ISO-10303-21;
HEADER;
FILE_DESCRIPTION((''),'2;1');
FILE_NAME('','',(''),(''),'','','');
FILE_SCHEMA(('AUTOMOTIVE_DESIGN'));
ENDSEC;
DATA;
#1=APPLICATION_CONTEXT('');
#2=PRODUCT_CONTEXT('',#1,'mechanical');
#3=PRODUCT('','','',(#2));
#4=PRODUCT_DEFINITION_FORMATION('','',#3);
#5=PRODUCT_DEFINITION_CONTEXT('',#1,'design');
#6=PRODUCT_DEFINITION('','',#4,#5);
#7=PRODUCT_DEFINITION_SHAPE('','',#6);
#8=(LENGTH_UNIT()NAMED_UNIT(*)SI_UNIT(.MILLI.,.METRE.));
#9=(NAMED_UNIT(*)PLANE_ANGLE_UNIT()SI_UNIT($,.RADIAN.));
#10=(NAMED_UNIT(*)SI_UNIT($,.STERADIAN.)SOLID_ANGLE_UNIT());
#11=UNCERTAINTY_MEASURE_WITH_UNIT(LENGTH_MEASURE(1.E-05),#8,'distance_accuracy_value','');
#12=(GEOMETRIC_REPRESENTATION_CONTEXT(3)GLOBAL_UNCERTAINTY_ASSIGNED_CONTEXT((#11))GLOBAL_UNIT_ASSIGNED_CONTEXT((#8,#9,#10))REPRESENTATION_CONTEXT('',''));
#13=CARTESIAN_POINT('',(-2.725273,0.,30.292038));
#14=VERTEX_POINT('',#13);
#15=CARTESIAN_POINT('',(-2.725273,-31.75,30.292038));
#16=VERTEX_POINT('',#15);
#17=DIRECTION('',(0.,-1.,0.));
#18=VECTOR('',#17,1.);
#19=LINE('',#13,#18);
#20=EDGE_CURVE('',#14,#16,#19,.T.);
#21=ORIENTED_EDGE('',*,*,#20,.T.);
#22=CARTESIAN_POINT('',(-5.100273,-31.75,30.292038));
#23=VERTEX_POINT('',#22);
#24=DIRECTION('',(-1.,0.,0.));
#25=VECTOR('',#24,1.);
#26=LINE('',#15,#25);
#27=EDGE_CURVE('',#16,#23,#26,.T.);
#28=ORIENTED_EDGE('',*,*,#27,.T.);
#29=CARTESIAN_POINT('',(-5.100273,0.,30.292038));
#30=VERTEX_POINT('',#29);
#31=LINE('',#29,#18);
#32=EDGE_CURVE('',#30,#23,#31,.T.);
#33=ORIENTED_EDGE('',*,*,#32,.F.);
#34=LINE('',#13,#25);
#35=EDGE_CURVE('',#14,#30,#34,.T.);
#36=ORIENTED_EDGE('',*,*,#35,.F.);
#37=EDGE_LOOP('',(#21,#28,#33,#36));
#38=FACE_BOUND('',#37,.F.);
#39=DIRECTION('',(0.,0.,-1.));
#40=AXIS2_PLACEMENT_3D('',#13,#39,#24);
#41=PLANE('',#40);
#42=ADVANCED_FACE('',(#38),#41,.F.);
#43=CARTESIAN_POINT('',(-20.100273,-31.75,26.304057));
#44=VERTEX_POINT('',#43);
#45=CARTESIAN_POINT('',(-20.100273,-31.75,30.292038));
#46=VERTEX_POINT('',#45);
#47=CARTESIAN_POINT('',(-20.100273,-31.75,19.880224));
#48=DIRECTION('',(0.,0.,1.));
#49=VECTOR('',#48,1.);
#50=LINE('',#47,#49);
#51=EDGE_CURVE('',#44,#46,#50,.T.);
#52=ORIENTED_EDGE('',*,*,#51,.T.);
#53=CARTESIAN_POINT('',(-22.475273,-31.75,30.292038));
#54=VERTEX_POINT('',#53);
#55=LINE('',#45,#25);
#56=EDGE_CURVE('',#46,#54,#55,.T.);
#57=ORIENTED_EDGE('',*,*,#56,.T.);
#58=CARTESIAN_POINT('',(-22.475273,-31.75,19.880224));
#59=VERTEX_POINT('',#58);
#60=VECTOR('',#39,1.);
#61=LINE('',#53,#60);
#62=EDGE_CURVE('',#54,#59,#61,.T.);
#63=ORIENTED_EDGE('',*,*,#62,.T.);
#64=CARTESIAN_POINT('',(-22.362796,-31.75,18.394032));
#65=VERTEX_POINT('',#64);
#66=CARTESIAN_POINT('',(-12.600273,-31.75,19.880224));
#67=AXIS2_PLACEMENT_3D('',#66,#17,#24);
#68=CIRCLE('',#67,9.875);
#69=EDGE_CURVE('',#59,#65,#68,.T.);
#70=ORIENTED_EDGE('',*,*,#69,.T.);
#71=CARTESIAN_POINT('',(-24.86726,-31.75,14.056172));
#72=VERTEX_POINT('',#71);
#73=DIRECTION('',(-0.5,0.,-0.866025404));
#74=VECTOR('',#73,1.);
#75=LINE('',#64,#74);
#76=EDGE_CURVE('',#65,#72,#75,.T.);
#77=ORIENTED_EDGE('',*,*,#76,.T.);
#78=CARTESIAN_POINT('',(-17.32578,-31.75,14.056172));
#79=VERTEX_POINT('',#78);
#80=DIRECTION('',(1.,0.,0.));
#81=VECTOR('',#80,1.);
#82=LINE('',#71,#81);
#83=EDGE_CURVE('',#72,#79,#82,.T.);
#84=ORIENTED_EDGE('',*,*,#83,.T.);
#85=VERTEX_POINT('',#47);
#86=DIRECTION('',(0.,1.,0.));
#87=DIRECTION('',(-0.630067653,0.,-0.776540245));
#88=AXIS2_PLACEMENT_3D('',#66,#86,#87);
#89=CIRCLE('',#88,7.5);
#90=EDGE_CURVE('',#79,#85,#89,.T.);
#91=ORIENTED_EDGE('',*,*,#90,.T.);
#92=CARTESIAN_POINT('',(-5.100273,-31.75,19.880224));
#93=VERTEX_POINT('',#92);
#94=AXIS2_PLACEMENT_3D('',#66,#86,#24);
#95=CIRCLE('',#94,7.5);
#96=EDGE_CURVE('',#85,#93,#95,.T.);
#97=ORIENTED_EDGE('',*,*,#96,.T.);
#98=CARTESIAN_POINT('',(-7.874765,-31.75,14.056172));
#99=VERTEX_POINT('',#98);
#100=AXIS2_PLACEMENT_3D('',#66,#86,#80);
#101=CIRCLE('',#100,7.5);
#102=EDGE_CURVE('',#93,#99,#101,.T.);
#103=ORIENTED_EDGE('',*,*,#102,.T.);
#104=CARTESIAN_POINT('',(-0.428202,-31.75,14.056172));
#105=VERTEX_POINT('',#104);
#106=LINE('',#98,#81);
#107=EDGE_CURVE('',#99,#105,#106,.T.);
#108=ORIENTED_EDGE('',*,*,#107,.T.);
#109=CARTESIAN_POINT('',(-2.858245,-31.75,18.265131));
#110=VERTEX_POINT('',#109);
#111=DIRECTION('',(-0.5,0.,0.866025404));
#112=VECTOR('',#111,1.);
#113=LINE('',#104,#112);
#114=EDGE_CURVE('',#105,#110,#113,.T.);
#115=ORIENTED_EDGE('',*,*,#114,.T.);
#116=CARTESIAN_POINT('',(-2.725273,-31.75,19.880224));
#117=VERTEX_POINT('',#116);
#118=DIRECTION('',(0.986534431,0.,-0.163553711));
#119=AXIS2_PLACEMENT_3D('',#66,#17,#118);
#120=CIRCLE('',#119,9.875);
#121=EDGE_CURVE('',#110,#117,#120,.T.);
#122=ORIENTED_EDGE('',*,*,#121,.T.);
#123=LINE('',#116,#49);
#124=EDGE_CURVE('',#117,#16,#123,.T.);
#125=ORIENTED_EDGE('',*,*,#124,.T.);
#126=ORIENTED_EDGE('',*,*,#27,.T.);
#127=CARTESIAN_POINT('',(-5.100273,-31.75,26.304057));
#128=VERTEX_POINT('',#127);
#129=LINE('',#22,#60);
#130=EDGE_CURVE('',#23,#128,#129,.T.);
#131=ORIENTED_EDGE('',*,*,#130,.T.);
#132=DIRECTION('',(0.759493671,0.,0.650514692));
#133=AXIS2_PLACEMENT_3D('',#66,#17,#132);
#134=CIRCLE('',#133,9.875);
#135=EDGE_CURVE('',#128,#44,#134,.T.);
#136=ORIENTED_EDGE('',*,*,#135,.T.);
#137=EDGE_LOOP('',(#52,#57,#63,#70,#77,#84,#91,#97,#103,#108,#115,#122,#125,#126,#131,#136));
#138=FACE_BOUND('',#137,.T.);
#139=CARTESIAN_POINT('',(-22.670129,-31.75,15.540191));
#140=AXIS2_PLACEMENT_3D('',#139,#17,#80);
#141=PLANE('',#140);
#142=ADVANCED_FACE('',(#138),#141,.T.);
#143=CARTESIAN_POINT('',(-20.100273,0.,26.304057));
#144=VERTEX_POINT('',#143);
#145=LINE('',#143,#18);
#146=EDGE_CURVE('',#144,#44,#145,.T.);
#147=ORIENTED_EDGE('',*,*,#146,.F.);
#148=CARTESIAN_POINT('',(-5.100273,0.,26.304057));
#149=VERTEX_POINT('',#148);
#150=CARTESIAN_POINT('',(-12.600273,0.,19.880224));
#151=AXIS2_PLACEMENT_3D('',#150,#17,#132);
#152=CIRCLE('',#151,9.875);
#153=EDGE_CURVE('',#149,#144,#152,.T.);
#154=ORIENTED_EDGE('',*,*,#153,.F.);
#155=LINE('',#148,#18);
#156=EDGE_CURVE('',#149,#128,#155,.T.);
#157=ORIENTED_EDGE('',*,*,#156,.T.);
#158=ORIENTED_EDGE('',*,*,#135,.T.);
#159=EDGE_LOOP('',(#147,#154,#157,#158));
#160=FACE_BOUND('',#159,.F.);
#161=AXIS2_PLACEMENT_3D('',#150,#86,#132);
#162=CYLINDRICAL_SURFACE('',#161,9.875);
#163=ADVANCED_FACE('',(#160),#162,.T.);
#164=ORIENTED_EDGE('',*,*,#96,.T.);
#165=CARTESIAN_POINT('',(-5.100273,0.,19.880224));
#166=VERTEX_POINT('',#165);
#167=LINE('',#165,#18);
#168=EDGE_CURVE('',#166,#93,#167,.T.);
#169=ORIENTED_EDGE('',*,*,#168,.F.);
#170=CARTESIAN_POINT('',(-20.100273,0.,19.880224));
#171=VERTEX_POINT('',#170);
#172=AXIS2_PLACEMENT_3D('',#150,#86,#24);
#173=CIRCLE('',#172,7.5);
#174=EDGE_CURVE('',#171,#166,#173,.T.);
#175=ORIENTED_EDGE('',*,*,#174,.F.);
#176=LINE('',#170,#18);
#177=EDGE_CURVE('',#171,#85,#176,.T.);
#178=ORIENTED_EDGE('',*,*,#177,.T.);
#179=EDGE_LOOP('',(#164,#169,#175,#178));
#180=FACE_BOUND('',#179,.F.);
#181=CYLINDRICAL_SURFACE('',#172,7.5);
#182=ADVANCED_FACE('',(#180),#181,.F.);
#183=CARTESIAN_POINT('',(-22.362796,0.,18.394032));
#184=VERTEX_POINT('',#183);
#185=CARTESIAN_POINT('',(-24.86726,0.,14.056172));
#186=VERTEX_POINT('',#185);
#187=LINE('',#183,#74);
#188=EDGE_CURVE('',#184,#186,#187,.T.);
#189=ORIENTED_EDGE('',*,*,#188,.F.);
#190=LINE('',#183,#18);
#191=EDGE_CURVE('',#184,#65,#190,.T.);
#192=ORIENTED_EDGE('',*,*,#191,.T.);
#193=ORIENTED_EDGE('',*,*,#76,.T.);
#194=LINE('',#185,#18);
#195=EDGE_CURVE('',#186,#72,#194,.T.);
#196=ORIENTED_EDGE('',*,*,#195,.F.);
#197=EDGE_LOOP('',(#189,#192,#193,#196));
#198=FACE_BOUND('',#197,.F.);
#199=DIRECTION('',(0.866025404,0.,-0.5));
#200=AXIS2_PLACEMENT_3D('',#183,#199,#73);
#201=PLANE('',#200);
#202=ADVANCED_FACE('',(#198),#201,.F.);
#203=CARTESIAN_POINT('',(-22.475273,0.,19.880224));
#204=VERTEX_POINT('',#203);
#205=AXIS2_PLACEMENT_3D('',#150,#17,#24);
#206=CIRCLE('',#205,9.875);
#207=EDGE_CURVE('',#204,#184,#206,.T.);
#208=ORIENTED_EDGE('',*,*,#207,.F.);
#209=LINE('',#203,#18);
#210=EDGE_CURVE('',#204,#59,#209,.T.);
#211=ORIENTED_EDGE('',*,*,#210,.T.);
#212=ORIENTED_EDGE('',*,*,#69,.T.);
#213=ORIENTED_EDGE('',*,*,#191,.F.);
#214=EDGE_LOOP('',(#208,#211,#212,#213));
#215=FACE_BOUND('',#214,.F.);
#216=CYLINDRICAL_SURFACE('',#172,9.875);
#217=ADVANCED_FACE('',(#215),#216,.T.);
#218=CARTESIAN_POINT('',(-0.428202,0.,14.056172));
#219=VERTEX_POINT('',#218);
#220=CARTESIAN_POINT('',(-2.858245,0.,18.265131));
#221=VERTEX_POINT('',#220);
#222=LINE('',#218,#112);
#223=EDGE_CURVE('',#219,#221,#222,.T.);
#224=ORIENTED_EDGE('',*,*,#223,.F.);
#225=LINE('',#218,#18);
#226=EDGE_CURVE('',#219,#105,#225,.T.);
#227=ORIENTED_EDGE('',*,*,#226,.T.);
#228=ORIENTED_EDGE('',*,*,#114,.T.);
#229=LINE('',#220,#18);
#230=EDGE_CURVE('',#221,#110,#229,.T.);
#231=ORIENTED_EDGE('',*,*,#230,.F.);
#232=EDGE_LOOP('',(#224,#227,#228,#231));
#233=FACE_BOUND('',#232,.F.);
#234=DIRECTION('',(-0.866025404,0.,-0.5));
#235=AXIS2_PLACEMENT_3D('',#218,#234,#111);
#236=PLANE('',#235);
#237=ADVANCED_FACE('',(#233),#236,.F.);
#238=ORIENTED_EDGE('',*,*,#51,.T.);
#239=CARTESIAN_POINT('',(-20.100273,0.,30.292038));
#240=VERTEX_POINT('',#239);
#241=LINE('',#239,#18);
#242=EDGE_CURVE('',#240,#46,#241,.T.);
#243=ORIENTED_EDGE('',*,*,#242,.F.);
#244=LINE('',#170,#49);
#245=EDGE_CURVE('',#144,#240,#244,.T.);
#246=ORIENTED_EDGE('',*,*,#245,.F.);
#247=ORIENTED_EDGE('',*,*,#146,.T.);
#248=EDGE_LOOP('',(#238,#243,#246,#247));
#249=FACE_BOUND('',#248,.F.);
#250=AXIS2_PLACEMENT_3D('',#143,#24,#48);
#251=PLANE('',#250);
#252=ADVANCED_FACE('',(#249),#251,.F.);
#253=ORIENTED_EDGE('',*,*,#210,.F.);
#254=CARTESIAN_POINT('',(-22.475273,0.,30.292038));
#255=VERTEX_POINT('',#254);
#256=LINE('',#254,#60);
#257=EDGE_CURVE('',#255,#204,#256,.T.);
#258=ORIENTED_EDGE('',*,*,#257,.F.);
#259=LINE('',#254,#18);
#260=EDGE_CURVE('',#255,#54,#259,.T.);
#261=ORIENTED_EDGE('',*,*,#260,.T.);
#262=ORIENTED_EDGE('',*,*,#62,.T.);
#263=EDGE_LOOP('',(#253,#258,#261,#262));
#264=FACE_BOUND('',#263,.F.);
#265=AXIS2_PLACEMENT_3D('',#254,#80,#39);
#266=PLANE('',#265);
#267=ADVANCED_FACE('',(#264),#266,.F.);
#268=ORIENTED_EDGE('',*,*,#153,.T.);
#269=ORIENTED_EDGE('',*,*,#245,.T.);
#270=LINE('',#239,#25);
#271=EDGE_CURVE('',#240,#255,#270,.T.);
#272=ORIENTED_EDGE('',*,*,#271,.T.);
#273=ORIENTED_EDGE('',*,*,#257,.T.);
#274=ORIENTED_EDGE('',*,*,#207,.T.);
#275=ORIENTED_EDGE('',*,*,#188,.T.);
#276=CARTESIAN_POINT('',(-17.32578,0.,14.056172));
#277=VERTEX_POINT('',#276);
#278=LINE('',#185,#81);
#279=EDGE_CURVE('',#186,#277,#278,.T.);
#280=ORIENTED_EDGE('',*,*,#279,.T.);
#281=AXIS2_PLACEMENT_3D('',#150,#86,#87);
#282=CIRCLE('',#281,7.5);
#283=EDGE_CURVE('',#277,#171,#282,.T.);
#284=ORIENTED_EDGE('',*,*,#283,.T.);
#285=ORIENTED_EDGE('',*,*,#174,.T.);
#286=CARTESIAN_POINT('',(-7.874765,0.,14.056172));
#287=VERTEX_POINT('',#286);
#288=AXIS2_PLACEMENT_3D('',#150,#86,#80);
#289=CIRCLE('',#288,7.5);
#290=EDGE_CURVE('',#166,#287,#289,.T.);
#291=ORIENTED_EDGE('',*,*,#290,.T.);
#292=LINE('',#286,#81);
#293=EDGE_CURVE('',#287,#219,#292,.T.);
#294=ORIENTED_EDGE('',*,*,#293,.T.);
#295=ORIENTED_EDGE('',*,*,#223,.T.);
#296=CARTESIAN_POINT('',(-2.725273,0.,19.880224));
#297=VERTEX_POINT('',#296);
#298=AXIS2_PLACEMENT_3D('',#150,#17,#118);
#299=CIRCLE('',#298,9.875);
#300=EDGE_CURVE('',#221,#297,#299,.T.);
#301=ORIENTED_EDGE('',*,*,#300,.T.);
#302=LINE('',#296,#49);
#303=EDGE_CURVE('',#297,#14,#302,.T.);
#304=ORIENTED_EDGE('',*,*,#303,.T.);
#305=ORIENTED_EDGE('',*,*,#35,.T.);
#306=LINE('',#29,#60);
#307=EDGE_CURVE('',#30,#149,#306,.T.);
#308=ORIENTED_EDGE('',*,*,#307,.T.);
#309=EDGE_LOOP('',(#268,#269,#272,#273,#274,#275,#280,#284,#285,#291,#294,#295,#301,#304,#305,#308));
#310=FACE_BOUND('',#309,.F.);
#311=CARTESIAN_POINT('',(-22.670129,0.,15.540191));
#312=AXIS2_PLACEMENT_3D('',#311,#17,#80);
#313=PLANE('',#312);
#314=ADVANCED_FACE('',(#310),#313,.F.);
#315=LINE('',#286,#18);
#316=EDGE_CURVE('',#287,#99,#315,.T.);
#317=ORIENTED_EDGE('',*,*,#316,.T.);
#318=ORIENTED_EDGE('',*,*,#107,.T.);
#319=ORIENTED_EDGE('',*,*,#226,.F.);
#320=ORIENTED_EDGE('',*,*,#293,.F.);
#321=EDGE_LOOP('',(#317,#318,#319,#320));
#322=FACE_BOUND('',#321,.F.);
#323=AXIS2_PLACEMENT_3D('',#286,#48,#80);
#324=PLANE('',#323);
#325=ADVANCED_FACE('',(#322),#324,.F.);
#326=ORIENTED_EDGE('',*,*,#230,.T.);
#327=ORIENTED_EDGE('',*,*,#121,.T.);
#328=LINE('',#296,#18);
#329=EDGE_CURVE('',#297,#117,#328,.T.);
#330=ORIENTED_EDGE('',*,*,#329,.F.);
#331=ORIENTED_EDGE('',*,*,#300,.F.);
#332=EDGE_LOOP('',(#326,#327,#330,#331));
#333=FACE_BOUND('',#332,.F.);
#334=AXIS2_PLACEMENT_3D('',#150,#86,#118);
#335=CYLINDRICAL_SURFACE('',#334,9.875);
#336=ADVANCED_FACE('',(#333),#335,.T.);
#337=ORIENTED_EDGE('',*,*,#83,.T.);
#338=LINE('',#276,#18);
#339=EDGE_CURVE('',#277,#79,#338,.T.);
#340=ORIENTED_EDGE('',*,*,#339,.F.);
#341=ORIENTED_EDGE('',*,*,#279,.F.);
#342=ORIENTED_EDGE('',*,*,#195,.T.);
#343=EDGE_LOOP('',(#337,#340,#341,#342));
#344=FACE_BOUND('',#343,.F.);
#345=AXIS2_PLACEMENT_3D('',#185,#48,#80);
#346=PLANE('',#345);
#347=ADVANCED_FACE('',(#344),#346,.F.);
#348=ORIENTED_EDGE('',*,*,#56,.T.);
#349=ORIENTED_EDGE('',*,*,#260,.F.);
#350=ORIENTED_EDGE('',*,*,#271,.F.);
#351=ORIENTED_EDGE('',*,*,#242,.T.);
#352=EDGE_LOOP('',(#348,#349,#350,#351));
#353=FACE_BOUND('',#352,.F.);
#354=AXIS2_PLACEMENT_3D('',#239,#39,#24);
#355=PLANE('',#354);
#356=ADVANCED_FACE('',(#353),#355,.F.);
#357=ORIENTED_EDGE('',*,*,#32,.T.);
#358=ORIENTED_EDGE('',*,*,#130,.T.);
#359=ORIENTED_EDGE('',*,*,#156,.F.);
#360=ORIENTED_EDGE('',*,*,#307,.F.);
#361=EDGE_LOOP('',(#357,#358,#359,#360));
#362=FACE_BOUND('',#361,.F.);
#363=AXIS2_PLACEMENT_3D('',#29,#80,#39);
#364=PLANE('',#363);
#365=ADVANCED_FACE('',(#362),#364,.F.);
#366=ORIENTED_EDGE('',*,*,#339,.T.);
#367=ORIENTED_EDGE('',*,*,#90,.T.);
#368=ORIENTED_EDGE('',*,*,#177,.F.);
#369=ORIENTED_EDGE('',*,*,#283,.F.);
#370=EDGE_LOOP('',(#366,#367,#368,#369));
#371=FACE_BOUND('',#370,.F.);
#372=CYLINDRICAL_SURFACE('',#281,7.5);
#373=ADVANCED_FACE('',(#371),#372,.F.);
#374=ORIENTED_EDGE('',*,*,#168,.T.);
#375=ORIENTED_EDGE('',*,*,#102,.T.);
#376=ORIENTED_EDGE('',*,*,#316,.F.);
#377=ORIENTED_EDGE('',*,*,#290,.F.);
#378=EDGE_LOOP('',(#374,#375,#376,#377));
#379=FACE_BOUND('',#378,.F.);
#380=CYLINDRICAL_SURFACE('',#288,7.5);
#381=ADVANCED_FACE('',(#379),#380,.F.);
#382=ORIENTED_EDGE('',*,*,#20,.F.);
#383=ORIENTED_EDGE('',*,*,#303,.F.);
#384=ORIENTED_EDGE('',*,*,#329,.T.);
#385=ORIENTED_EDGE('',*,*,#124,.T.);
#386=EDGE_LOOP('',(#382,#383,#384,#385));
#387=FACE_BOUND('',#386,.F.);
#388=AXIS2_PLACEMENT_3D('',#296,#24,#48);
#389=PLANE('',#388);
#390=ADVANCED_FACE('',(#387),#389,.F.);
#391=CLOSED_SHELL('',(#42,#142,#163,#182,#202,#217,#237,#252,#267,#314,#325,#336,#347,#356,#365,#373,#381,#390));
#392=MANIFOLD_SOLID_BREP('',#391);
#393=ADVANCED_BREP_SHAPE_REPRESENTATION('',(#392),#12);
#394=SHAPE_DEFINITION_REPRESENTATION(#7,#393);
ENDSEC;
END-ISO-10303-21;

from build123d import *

# Parameters (mm, degrees)
F1_DEPTH = 31.75


with BuildPart() as f1:
    # F0 (on Front) → F1 (new body)
    with BuildSketch(Plane.XZ):
        with BuildLine():
            Line((-24.867260192, 14.0561722352), (-20.5749857529, 14.0561722352))
            ThreePointArc((-20.5749857529, 14.0561722352), (-21.7302586773, 16.117381452), (-22.3627959644, 18.394031523))
            Line((-22.3627959644, 18.394031523), (-24.867260192, 14.0561722352))
        make_face()
        with BuildLine():
            ThreePointArc((-17.3257802935, 14.0561722352), (-19.3712146858, 16.6546470319), (-20.1002728939, 19.8802240735))
            Line((-20.1002728939, 19.8802240735), (-20.1002728939, 22.3128364345))
            Line((-20.1002728939, 22.3128364345), (-22.3627959644, 18.394031523))
            ThreePointArc((-22.3627959644, 18.394031523), (-21.7302586773, 16.117381452), (-20.5749857529, 14.0561722352))
            Line((-20.5749857529, 14.0561722352), (-17.3257802935, 14.0561722352))
        make_face()
        with BuildLine():
            Line((-22.3627959644, 18.394031523), (-20.1002728939, 22.3128364345))
            Line((-20.1002728939, 22.3128364345), (-20.1002728939, 26.3040566523))
            ThreePointArc((-20.1002728939, 26.3040566523), (-21.8625114192, 23.3046309565), (-22.4752728939, 19.8802240735))
            ThreePointArc((-22.4752728939, 19.8802240735), (-22.4471135121, 19.1350027378), (-22.3627959644, 18.394031523))
        make_face()
        with BuildLine():
            ThreePointArc((-22.4752728939, 19.8802240735), (-21.8625114192, 23.3046309565), (-20.1002728939, 26.3040566523))
            Line((-20.1002728939, 26.3040566523), (-20.1002728939, 30.2920383944))
            Line((-20.1002728939, 30.2920383944), (-22.4752728939, 30.2920383944))
            Line((-22.4752728939, 30.2920383944), (-22.4752728939, 19.8802240735))
        make_face()
        with BuildLine():
            ThreePointArc((-20.1002728939, 19.8802240735), (-12.6002728939, 27.3802240735), (-5.1002728939, 19.8802240735))
            Line((-5.1002728939, 19.8802240735), (-5.1002728939, 22.1484367352))
            Line((-5.1002728939, 22.1484367352), (-5.1002728939, 26.3040566523))
            ThreePointArc((-5.1002728939, 26.3040566523), (-12.6002728939, 29.7552240735), (-20.1002728939, 26.3040566523))
            Line((-20.1002728939, 26.3040566523), (-20.1002728939, 22.3128364345))
            Line((-20.1002728939, 22.3128364345), (-20.1002728939, 19.8802240735))
        make_face()
        with BuildLine():
            Line((-5.1002728939, 22.1484367352), (-5.1002728939, 19.8802240735))
            ThreePointArc((-5.1002728939, 19.8802240735), (-5.8293311021, 16.6546470319), (-7.8747654943, 14.0561722352))
            Line((-7.8747654943, 14.0561722352), (-4.6255600349, 14.0561722352))
            ThreePointArc((-4.6255600349, 14.0561722352), (-3.4953535559, 16.057127312), (-2.8582453868, 18.265131181))
            Line((-2.8582453868, 18.265131181), (-5.1002728939, 22.1484367352))
        make_face()
        with BuildLine():
            Line((-5.1002728939, 26.3040566523), (-5.1002728939, 22.1484367352))
            Line((-5.1002728939, 22.1484367352), (-2.8582453868, 18.265131181))
            ThreePointArc((-2.8582453868, 18.265131181), (-2.758572161, 19.0699453043), (-2.7252728939, 19.8802240735))
            ThreePointArc((-2.7252728939, 19.8802240735), (-3.3380343686, 23.3046309565), (-5.1002728939, 26.3040566523))
        make_face()
        with BuildLine():
            ThreePointArc((-2.8582453868, 18.265131181), (-3.4953535559, 16.057127312), (-4.6255600349, 14.0561722352))
            Line((-4.6255600349, 14.0561722352), (-0.4282018064, 14.0561722352))
            Line((-0.4282018064, 14.0561722352), (-2.8582453868, 18.265131181))
        make_face()
        with BuildLine():
            Line((-5.1002728939, 30.2920383944), (-5.1002728939, 26.3040566523))
            ThreePointArc((-5.1002728939, 26.3040566523), (-3.3380343686, 23.3046309565), (-2.7252728939, 19.8802240735))
            Line((-2.7252728939, 19.8802240735), (-2.7252728939, 30.2920383944))
            Line((-2.7252728939, 30.2920383944), (-5.1002728939, 30.2920383944))
        make_face()
    extrude(amount=F1_DEPTH)


solid = f1.part
